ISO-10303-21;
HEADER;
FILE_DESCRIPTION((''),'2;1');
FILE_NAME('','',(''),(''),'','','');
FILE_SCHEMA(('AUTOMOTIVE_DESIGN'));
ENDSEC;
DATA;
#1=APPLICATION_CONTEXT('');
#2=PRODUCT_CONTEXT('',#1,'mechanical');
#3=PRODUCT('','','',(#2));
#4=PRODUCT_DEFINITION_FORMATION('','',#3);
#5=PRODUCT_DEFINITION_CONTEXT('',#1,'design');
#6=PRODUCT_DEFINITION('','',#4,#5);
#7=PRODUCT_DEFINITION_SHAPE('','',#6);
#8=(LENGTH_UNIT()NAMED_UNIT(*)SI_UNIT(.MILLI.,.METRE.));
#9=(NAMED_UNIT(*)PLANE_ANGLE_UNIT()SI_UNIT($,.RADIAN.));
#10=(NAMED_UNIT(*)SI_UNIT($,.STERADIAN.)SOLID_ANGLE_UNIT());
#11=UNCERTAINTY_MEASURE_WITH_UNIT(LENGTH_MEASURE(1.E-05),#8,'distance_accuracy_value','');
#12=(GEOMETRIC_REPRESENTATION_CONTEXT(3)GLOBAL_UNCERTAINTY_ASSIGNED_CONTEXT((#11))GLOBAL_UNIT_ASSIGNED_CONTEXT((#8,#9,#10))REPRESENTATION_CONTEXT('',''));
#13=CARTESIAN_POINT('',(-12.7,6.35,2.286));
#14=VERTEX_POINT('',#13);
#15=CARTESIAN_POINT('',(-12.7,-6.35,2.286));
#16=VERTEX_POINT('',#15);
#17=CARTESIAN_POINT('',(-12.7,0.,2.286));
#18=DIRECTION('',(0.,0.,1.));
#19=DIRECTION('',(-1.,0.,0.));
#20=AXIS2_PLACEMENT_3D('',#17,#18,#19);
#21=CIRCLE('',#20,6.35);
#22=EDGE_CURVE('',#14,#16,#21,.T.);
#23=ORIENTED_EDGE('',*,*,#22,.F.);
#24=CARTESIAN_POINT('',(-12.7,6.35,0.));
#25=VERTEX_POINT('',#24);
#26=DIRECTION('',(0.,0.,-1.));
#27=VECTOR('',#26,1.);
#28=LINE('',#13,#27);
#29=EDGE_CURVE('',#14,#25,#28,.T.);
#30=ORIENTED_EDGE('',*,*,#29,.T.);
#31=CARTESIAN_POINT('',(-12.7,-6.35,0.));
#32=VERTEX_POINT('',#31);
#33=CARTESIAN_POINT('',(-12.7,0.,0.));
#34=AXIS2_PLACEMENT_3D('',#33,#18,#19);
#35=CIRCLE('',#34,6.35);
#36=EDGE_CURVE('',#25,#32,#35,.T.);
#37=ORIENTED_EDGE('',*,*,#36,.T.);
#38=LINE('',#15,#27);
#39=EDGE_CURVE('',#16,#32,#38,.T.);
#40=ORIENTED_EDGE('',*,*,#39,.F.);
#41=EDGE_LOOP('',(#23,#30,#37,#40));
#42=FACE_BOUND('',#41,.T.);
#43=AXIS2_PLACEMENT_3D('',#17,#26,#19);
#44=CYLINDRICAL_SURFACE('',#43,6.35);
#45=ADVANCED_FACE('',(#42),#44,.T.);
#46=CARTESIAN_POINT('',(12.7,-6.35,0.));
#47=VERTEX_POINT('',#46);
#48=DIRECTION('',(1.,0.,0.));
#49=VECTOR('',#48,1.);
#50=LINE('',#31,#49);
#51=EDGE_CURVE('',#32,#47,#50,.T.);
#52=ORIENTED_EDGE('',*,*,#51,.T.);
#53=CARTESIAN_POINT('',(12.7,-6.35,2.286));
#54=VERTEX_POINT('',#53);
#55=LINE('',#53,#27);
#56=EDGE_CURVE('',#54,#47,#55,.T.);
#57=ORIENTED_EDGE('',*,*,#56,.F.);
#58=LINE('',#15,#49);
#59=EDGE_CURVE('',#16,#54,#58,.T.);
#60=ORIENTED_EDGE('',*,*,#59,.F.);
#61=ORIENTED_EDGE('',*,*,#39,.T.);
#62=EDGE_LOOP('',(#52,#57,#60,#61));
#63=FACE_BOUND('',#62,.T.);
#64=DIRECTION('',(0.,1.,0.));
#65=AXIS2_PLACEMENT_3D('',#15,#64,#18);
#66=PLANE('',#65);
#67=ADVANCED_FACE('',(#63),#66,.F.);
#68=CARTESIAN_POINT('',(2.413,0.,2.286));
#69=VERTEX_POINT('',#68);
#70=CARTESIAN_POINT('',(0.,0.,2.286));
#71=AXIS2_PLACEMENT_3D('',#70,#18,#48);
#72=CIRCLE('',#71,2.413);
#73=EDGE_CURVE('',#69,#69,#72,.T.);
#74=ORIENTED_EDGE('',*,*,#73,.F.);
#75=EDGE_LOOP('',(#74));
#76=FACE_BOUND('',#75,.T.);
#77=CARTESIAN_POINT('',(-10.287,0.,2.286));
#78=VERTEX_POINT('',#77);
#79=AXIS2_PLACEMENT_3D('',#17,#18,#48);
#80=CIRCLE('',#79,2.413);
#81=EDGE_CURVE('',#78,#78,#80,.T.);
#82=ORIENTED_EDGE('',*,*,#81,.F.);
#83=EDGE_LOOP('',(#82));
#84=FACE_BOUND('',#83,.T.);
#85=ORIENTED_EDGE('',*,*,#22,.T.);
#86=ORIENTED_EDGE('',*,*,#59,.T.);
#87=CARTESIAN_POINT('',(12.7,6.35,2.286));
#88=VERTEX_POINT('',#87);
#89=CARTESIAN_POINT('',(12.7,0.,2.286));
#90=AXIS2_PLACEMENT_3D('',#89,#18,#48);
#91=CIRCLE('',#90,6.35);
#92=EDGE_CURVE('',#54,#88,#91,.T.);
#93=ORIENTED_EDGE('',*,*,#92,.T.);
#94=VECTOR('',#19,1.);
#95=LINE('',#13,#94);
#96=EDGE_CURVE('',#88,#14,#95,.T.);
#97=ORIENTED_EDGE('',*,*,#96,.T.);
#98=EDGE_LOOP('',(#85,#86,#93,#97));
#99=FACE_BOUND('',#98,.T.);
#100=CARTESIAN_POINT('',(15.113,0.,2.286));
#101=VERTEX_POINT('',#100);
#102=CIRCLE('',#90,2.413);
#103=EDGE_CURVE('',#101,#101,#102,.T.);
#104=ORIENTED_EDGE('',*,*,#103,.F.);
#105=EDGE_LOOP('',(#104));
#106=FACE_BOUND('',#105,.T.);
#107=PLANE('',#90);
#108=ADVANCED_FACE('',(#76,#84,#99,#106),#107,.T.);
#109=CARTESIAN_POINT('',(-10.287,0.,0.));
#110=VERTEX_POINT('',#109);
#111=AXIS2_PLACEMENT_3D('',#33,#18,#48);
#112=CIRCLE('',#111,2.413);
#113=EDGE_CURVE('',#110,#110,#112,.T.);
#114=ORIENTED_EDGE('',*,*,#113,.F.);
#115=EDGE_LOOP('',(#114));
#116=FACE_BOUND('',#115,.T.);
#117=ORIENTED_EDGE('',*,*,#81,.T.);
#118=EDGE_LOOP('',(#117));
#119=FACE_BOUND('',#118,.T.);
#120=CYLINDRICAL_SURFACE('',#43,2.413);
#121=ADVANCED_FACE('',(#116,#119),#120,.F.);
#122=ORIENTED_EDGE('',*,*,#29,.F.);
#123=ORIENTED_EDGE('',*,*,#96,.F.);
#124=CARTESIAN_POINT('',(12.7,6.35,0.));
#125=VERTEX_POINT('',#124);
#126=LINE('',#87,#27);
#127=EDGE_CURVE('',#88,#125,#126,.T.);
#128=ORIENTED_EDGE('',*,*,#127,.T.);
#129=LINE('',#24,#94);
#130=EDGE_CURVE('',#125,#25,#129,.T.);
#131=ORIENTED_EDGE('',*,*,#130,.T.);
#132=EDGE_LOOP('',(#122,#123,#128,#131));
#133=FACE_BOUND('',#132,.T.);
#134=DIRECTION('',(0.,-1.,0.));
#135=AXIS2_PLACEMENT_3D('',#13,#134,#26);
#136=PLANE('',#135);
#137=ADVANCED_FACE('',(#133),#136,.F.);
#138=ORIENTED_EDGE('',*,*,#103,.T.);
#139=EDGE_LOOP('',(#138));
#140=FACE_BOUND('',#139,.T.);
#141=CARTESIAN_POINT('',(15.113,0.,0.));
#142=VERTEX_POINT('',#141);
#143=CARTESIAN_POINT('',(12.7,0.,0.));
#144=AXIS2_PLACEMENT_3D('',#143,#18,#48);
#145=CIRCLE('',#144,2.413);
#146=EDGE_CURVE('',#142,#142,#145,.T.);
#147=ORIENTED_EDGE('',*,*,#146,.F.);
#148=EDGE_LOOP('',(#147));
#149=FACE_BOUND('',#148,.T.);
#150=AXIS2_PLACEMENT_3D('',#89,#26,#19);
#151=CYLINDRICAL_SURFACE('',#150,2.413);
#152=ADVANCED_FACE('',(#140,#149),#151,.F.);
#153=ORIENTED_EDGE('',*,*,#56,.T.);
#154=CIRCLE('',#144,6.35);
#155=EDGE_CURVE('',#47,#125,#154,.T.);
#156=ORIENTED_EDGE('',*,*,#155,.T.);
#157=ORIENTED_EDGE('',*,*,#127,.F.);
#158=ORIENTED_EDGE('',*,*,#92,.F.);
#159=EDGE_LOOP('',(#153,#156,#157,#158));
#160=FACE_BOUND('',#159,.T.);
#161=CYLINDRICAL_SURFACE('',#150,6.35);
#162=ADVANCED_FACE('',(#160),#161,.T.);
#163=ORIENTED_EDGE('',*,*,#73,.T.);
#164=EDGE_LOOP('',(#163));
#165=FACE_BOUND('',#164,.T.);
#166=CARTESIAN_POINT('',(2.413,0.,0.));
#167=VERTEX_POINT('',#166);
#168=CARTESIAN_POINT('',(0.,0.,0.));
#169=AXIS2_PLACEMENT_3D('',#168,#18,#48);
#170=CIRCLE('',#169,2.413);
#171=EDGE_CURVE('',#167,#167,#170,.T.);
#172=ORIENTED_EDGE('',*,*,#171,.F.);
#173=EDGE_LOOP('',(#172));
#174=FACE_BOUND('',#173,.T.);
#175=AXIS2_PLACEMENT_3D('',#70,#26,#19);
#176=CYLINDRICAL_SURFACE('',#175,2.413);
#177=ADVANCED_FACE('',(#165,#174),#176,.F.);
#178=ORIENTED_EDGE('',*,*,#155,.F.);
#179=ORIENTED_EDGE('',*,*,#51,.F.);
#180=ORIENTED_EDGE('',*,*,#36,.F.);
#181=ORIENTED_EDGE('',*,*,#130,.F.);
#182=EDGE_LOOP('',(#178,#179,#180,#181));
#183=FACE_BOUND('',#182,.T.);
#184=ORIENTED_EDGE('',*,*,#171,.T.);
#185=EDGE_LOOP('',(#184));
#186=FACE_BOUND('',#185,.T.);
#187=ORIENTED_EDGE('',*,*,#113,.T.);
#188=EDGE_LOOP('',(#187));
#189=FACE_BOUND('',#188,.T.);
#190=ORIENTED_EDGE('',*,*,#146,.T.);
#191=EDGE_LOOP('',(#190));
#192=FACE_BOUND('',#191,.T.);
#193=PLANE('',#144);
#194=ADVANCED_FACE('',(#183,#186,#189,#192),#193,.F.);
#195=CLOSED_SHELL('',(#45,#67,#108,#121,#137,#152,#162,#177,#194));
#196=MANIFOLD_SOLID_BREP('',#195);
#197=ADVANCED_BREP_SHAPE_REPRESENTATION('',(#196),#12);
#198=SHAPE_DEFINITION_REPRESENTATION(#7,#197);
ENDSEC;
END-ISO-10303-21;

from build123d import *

# Parameters (mm, degrees)
SKETCH1_R           = 2.413
BOSS_EXTRUDE1_DEPTH = 2.286


with BuildPart() as part:
    # Sketch1 → Boss-Extrude1 (new body)
    with BuildSketch(Plane.XY):
        with BuildLine():
            Line((-12.7, 6.35), (12.7, 6.35))
            ThreePointArc((12.7, 6.35), (19.05, 0), (12.7, -6.35))
            Line((12.7, -6.35), (-12.7, -6.35))
            ThreePointArc((-12.7, -6.35), (-19.05, 0), (-12.7, 6.35))
        make_face()
        Circle(SKETCH1_R, mode=Mode.SUBTRACT)
        with Locations((12.7, 0)):
            Circle(SKETCH1_R, mode=Mode.SUBTRACT)
        with Locations((-12.7, 0)):
            Circle(SKETCH1_R, mode=Mode.SUBTRACT)
    extrude(amount=BOSS_EXTRUDE1_DEPTH)


solid = part.part
